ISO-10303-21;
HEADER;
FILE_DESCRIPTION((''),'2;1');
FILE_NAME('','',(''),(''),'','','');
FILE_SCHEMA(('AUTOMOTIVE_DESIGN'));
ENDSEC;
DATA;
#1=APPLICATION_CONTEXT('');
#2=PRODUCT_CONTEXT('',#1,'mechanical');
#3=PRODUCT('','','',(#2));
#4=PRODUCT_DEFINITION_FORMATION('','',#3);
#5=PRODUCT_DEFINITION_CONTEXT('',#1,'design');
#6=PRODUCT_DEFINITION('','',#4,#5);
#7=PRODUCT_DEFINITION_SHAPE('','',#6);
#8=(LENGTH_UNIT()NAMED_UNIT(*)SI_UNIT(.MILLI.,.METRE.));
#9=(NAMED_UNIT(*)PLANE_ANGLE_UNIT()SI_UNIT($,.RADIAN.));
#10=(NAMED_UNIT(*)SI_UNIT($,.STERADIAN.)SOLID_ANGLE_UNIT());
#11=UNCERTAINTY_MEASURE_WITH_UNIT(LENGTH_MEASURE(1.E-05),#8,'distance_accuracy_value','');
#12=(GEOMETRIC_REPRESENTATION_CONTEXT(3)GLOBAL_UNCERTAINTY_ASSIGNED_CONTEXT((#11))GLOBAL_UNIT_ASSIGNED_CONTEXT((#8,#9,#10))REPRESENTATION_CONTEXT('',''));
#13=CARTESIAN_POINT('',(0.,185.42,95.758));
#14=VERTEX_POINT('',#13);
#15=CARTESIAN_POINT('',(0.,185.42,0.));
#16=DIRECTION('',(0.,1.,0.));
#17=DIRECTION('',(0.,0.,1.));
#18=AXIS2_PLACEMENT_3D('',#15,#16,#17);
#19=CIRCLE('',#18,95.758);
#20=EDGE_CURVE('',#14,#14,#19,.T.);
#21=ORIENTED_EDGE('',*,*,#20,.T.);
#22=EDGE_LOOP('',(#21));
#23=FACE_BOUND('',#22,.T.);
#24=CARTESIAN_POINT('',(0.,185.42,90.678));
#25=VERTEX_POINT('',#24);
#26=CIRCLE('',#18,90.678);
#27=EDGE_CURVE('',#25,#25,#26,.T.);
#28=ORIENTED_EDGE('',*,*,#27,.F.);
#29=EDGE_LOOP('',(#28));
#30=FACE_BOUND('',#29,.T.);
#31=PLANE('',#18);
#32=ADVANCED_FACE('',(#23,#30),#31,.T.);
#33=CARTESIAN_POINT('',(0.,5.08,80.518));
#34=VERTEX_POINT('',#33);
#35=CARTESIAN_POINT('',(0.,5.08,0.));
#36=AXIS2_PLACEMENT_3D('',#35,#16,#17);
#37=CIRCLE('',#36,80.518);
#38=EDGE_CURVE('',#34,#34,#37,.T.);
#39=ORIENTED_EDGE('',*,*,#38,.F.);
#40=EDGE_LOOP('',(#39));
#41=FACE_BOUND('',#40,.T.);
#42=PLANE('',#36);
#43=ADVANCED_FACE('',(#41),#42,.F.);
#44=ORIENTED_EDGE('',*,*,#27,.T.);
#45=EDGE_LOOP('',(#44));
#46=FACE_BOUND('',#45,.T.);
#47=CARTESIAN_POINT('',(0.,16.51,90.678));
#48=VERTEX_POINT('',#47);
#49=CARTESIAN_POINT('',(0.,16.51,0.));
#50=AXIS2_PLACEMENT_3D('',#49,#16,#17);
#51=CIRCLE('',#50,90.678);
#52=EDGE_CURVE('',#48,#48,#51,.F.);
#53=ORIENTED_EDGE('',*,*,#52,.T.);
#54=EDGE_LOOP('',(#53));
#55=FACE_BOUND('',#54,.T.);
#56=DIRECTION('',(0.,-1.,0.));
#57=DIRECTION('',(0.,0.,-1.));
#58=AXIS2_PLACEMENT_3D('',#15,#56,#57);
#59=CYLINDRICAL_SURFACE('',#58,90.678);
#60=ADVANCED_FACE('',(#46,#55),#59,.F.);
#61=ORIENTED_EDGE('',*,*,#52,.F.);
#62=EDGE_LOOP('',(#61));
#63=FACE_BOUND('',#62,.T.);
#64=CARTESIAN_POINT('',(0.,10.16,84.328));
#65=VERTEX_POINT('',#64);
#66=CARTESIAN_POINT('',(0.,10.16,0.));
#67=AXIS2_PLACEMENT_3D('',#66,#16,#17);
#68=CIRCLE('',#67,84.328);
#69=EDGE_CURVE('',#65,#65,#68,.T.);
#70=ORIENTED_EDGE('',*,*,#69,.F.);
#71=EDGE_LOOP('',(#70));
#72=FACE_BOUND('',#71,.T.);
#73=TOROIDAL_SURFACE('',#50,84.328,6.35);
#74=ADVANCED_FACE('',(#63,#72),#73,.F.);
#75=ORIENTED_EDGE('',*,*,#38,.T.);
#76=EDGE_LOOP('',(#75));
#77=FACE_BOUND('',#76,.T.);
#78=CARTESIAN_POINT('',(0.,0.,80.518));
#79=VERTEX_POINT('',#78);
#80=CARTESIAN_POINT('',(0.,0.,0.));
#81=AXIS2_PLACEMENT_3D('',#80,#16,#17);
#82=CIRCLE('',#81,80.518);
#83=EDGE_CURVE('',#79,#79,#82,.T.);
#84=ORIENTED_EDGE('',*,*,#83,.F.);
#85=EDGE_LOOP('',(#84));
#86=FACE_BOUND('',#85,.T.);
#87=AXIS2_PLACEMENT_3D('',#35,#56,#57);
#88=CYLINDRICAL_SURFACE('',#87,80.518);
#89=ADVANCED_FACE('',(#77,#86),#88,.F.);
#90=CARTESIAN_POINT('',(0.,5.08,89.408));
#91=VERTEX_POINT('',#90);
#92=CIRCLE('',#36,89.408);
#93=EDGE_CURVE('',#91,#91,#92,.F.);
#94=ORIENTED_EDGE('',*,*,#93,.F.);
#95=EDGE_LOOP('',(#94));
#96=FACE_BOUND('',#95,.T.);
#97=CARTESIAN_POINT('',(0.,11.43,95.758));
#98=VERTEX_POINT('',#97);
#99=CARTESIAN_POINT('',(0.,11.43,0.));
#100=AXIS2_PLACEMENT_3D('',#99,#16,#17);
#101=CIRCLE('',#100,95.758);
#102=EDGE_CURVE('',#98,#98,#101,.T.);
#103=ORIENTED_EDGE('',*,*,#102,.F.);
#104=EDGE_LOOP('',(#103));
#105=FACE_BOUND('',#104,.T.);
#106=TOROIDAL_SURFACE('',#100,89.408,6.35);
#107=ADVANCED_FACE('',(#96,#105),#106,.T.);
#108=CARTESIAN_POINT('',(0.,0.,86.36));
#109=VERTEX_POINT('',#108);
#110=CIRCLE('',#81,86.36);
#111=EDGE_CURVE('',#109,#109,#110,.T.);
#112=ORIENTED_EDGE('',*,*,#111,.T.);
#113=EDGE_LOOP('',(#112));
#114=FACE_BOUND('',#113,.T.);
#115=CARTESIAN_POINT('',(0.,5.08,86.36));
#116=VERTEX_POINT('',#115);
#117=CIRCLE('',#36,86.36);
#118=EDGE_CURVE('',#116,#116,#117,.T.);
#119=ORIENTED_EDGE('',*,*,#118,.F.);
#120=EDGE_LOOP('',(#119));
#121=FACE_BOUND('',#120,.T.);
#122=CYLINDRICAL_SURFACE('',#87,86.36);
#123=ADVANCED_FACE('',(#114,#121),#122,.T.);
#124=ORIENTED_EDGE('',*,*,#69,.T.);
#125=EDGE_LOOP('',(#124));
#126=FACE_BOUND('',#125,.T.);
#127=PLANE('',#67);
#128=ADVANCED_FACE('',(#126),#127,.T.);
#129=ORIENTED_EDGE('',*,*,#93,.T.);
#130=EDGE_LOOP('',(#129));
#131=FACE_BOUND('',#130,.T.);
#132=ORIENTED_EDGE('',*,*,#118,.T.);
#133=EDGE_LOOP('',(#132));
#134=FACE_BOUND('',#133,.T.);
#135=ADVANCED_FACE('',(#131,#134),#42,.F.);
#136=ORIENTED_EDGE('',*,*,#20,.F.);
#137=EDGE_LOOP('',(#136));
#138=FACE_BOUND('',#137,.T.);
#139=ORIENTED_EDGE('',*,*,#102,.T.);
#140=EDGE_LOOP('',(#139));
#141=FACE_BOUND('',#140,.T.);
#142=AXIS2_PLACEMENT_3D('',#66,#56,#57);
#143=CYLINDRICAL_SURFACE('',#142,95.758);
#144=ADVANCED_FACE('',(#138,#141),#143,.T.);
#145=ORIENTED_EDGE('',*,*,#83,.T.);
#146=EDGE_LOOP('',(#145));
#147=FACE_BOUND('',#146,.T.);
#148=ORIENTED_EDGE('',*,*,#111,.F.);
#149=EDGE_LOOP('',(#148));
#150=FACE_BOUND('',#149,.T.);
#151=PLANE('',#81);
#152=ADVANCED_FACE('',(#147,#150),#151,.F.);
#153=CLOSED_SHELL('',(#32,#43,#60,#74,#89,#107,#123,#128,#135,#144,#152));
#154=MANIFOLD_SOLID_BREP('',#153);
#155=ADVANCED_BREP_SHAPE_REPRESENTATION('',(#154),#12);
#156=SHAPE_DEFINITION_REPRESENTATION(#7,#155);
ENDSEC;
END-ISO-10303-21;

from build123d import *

# Parameters (mm, degrees)
SKETCH1_R           = 86.36
SKETCH1_R_2         = 80.518
BOSS_EXTRUDE1_DEPTH = 5.08
SKETCH2_R           = 95.758
BOSS_EXTRUDE2_DEPTH = 5.08
SKETCH3_R           = 95.758
SKETCH3_R_2         = 90.678
BOSS_EXTRUDE3_DEPTH = 175.26
FILLET1_R           = 6.35


with BuildPart() as part:
    # Sketch1 → Boss-Extrude1 (new body)
    with BuildSketch(Plane(origin=(0, 0, 0), x_dir=(1, 0, 0), z_dir=(0, 1, 0))):
        with Locations(Location((0, 0, 0), (0, 0, 270))):
            Circle(SKETCH1_R)
        with Locations(Location((0, 0, 0), (0, 0, 270))):
            Circle(SKETCH1_R_2, mode=Mode.SUBTRACT)
    extrude(amount=BOSS_EXTRUDE1_DEPTH)

    # Sketch2 → Boss-Extrude2 (add)
    with BuildSketch(Plane(origin=(0, 5.08, 0), x_dir=(1, 0, 0), z_dir=(0, 1, 0))):
        with Locations(Location((0, 0, 0), (0, 0, 270))):
            Circle(SKETCH2_R)
    extrude(amount=BOSS_EXTRUDE2_DEPTH)

    # Sketch3 → Boss-Extrude3 (add)
    with BuildSketch(Plane(origin=(0, 10.16, 0), x_dir=(1, 0, 0), z_dir=(0, 1, 0))):
        with Locations(Location((0, 0, 0), (0, 0, 270))):
            Circle(SKETCH3_R)
        with Locations(Location((0, 0, 0), (0, 0, 270))):
            Circle(SKETCH3_R_2, mode=Mode.SUBTRACT)
    extrude(amount=BOSS_EXTRUDE3_DEPTH)

    # Fillet1
    fillet1_edges = [part.edges().sort_by_distance(p)[0] for p in [
        (0, 10.16, -90.678),
        (0, 5.08, -95.758),
    ]]
    fillet(fillet1_edges, radius=FILLET1_R)


solid = part.part
